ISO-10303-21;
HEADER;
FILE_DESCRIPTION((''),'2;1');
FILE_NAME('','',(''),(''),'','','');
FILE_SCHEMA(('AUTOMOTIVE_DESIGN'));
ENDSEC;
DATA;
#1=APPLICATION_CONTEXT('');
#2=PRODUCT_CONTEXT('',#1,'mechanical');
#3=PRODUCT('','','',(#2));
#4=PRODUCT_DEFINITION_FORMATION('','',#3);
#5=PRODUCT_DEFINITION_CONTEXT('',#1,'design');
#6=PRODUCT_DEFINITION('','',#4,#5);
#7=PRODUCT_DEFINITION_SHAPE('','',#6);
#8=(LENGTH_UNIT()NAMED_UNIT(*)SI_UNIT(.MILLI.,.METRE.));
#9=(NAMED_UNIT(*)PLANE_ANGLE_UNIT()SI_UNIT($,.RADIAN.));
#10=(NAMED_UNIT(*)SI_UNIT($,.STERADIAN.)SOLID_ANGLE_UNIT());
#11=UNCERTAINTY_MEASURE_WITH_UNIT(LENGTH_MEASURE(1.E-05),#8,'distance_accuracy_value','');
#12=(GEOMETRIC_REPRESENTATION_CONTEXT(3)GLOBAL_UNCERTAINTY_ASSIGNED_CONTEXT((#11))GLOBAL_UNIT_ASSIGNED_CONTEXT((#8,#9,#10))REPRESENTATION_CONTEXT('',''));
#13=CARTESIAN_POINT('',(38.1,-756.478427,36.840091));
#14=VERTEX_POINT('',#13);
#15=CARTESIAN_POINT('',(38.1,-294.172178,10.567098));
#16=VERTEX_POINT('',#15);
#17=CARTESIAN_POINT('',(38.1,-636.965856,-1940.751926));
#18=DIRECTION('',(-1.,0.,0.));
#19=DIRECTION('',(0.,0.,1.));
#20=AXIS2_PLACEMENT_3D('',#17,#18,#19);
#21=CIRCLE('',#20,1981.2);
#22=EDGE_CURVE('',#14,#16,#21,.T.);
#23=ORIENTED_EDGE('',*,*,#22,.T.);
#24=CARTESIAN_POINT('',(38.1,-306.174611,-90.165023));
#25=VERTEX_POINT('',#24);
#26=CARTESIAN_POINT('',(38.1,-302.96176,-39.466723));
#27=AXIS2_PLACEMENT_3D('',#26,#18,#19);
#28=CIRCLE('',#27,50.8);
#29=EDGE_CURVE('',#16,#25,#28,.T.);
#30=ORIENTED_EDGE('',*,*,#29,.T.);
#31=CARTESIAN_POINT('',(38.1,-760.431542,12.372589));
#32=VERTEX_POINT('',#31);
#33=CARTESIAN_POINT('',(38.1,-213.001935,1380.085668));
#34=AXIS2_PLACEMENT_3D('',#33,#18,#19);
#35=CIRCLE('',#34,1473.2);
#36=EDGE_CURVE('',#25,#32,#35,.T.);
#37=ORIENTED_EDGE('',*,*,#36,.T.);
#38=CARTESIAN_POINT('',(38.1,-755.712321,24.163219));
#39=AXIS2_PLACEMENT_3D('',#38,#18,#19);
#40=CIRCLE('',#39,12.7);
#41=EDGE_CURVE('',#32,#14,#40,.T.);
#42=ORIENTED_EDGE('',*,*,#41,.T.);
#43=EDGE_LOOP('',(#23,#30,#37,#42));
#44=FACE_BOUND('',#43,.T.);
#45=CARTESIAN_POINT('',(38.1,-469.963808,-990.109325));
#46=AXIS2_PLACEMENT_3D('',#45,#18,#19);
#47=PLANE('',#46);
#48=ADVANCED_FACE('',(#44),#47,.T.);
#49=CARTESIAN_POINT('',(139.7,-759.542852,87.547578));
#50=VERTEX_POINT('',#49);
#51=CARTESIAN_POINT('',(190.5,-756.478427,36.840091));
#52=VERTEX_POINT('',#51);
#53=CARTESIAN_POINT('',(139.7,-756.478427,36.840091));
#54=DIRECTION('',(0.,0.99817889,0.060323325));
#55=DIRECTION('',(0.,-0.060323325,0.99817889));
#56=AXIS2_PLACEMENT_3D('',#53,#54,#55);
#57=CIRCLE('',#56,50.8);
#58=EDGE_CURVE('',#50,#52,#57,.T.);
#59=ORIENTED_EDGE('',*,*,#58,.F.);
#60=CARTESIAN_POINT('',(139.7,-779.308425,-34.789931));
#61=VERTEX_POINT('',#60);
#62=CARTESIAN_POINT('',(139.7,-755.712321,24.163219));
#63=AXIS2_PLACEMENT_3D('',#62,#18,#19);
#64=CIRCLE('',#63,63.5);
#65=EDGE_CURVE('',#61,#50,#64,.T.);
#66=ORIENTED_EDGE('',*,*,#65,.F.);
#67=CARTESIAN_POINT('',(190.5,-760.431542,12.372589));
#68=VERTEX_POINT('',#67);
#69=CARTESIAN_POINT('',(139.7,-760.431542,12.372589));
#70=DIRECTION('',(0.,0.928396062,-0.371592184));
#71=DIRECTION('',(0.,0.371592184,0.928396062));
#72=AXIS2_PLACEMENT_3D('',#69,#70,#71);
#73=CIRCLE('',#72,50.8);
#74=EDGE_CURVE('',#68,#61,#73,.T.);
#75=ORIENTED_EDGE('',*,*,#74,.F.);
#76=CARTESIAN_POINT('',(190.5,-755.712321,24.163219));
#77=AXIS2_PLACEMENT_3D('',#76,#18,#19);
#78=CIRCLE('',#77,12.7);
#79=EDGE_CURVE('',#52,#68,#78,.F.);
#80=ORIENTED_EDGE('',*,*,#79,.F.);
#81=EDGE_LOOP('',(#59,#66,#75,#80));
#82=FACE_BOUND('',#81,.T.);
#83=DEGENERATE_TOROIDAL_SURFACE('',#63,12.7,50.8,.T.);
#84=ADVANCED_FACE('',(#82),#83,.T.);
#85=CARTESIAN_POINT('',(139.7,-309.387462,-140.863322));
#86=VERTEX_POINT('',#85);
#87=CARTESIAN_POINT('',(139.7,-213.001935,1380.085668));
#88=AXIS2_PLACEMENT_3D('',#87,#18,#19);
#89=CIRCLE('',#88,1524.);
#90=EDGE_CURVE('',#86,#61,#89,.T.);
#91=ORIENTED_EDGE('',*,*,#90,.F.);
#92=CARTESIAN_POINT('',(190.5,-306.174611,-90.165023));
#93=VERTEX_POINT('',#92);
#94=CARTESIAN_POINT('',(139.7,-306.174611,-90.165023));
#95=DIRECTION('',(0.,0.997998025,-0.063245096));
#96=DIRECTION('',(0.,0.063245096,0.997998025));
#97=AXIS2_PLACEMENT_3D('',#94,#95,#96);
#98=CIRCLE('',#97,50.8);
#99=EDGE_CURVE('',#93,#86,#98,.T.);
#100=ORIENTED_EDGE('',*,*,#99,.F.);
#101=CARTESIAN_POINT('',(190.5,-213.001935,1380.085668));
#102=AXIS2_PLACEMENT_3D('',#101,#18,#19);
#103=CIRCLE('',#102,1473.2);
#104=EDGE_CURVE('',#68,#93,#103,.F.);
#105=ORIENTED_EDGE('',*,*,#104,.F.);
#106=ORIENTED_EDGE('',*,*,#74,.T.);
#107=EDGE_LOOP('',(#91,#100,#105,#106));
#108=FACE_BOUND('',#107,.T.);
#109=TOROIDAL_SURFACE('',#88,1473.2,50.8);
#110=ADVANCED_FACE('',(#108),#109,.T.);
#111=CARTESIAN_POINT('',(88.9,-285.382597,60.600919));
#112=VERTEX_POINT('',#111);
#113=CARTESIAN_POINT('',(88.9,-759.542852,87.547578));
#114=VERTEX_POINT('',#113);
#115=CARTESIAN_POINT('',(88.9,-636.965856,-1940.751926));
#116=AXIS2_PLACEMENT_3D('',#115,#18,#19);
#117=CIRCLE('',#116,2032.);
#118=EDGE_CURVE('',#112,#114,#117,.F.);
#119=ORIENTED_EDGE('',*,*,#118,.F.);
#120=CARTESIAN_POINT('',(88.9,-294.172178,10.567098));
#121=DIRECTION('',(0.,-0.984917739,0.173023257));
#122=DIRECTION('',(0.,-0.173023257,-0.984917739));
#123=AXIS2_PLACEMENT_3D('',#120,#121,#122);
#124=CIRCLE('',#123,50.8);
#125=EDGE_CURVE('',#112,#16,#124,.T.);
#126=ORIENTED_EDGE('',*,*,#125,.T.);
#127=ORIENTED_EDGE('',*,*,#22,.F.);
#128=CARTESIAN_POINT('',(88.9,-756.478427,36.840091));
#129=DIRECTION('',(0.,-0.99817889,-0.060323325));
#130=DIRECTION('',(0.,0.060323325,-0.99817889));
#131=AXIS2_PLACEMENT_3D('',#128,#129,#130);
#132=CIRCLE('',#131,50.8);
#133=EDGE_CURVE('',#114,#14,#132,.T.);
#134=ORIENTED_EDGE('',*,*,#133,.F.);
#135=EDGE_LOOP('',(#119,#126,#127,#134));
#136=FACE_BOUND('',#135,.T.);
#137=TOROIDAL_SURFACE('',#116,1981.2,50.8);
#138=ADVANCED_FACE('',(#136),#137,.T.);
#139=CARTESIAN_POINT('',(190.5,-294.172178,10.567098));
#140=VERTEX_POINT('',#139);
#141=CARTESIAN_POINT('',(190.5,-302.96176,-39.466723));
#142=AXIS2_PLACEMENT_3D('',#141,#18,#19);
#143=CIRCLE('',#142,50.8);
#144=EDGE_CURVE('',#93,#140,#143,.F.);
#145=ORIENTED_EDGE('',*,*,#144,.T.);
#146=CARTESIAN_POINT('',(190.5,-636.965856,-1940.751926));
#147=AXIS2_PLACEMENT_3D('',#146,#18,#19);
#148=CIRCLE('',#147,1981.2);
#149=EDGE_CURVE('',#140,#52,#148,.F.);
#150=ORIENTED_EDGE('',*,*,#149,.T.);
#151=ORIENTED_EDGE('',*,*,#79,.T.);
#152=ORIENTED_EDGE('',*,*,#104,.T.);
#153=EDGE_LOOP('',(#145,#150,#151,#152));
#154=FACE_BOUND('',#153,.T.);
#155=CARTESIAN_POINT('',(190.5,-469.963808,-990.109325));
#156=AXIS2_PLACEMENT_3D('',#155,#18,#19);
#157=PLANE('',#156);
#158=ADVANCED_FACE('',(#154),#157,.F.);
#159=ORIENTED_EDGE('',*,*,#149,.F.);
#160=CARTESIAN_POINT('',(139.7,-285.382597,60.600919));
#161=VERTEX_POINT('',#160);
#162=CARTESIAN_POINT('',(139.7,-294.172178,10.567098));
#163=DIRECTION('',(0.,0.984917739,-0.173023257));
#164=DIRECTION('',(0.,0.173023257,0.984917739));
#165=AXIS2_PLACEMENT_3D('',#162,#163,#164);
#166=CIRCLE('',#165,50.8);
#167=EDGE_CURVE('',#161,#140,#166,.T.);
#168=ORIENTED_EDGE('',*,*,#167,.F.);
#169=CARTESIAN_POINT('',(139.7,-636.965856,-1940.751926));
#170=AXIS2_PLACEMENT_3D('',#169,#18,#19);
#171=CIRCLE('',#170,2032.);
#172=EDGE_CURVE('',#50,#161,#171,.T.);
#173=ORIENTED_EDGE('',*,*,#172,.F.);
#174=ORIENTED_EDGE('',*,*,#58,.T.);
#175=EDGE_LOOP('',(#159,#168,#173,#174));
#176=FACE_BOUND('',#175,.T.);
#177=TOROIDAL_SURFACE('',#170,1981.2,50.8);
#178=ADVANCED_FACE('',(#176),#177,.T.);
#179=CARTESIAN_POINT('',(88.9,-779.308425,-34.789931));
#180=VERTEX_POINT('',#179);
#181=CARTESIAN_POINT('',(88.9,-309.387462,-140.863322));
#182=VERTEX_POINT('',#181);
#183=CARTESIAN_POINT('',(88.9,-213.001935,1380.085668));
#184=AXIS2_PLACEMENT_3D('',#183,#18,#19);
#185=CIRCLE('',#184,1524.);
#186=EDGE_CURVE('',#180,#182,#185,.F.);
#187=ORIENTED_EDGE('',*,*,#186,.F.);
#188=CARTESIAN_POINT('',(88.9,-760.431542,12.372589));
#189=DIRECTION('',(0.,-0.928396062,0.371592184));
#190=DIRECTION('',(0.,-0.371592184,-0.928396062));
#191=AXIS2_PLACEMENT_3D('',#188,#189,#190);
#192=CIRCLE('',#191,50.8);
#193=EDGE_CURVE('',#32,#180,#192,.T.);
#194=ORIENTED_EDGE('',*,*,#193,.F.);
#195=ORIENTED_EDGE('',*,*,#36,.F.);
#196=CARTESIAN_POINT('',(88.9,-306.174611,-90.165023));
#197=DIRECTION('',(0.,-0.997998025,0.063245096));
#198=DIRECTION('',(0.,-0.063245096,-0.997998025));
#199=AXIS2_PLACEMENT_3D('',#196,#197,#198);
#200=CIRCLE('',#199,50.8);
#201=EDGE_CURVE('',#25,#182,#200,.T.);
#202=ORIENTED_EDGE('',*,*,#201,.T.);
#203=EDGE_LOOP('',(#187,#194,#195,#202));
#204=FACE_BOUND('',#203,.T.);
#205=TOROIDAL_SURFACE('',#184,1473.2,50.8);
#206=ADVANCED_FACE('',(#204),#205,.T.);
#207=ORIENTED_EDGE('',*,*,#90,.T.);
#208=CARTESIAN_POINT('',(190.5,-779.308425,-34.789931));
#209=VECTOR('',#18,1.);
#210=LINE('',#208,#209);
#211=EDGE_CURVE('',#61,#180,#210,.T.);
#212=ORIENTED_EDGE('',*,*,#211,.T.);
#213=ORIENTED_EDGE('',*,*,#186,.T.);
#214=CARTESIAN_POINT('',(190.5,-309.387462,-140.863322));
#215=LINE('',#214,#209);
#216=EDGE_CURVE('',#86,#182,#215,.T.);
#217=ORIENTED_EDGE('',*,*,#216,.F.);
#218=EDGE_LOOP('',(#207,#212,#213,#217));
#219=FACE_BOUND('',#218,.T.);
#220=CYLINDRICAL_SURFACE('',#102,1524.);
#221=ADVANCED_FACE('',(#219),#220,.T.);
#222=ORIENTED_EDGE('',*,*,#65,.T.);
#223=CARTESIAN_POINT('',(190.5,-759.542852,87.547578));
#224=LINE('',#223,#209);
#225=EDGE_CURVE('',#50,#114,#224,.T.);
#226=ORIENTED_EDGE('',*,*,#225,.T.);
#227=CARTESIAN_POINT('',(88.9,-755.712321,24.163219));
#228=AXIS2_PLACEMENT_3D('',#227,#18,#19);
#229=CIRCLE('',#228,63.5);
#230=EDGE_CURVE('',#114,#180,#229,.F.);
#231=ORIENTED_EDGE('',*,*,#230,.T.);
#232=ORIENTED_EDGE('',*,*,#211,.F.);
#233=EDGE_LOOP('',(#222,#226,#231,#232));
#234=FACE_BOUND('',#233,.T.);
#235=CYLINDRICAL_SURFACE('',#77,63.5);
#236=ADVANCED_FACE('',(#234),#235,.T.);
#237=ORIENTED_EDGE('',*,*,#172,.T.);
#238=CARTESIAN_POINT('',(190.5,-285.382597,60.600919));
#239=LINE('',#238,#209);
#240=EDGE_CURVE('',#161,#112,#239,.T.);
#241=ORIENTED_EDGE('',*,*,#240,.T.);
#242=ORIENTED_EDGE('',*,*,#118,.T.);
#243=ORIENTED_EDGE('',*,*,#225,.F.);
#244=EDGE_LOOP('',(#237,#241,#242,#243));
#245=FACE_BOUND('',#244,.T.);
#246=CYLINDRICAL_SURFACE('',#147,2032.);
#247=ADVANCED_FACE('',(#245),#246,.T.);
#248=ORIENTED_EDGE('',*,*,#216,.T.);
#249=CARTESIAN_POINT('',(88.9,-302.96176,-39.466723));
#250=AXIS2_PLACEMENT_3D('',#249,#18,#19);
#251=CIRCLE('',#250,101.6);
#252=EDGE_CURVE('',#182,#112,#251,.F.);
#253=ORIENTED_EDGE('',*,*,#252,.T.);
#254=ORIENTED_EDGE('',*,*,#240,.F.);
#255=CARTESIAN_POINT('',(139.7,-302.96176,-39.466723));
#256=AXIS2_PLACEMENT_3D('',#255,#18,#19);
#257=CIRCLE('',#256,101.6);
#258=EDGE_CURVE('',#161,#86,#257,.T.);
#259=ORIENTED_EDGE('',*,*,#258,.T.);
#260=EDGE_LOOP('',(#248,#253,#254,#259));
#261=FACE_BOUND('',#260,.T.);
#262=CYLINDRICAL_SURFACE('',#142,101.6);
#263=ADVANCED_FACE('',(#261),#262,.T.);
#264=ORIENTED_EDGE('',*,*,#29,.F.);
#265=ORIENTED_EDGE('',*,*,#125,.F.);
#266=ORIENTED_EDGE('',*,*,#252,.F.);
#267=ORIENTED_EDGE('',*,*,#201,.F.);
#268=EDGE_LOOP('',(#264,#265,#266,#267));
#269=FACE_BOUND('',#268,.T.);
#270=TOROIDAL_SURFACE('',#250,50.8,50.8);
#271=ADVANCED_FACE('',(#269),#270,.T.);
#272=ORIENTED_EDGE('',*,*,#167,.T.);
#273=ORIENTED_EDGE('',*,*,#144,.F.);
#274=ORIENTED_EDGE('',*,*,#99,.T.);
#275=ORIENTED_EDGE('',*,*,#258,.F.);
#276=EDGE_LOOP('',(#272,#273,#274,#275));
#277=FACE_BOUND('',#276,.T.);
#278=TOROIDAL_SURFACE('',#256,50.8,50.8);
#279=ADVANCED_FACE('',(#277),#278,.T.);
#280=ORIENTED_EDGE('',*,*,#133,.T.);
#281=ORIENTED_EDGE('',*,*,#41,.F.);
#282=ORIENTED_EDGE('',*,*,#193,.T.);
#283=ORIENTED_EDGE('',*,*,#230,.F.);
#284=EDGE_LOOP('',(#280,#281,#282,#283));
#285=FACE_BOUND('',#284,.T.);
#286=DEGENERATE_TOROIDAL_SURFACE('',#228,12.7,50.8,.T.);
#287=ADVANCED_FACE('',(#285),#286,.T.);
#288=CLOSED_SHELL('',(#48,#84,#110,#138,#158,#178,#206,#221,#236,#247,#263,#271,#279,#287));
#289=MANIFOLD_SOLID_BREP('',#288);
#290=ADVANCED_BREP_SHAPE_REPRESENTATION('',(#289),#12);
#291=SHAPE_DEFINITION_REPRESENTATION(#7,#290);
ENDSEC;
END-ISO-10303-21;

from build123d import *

# Parameters (mm, degrees)
BASE_EXTRUDE_DEPTH = 76.2
FILLET1_R          = 50.8


with BuildPart() as part:
    # Sketch6 → Base-Extrude (new, symmetric)
    with BuildSketch(Plane(origin=(114.3, 0, 0), x_dir=(0, 0, -1), z_dir=(1, 0, 0))):
        with BuildLine():
            ThreePointArc((140.863322284, -309.38746157), (51.487534639, -202.075387677), (-60.600919328, -285.382596895))
            ThreePointArc((-60.600919328, -285.382596895), (-87.974645435, -521.672761045), (-87.547578328, -759.542851996))
            ThreePointArc((-87.547578328, -759.542851996), (-34.291316824, -818.399413874), (34.789931143, -779.308424571))
            ThreePointArc((34.789931143, -779.308424571), (106.512103035, -548.56574137), (140.863322284, -309.38746157))
        make_face()
    extrude(amount=BASE_EXTRUDE_DEPTH, both=True)

    # Fillet1
    fillet1_edges = [part.edges().sort_by_distance(p)[0] for p in [
        (38.1, -818.399413874, 34.291316824),
        (190.5, -818.399413874, 34.291316824),
        (38.1, -521.672761045, 87.974645435),
        (190.5, -521.672761045, 87.974645435),
        (38.1, -202.075387677, -51.487534639),
        (190.5, -202.075387677, -51.487534639),
        (190.5, -548.56574137, -106.512103035),
        (38.1, -548.56574137, -106.512103035),
    ]]
    fillet(fillet1_edges, radius=FILLET1_R)


solid = part.part
